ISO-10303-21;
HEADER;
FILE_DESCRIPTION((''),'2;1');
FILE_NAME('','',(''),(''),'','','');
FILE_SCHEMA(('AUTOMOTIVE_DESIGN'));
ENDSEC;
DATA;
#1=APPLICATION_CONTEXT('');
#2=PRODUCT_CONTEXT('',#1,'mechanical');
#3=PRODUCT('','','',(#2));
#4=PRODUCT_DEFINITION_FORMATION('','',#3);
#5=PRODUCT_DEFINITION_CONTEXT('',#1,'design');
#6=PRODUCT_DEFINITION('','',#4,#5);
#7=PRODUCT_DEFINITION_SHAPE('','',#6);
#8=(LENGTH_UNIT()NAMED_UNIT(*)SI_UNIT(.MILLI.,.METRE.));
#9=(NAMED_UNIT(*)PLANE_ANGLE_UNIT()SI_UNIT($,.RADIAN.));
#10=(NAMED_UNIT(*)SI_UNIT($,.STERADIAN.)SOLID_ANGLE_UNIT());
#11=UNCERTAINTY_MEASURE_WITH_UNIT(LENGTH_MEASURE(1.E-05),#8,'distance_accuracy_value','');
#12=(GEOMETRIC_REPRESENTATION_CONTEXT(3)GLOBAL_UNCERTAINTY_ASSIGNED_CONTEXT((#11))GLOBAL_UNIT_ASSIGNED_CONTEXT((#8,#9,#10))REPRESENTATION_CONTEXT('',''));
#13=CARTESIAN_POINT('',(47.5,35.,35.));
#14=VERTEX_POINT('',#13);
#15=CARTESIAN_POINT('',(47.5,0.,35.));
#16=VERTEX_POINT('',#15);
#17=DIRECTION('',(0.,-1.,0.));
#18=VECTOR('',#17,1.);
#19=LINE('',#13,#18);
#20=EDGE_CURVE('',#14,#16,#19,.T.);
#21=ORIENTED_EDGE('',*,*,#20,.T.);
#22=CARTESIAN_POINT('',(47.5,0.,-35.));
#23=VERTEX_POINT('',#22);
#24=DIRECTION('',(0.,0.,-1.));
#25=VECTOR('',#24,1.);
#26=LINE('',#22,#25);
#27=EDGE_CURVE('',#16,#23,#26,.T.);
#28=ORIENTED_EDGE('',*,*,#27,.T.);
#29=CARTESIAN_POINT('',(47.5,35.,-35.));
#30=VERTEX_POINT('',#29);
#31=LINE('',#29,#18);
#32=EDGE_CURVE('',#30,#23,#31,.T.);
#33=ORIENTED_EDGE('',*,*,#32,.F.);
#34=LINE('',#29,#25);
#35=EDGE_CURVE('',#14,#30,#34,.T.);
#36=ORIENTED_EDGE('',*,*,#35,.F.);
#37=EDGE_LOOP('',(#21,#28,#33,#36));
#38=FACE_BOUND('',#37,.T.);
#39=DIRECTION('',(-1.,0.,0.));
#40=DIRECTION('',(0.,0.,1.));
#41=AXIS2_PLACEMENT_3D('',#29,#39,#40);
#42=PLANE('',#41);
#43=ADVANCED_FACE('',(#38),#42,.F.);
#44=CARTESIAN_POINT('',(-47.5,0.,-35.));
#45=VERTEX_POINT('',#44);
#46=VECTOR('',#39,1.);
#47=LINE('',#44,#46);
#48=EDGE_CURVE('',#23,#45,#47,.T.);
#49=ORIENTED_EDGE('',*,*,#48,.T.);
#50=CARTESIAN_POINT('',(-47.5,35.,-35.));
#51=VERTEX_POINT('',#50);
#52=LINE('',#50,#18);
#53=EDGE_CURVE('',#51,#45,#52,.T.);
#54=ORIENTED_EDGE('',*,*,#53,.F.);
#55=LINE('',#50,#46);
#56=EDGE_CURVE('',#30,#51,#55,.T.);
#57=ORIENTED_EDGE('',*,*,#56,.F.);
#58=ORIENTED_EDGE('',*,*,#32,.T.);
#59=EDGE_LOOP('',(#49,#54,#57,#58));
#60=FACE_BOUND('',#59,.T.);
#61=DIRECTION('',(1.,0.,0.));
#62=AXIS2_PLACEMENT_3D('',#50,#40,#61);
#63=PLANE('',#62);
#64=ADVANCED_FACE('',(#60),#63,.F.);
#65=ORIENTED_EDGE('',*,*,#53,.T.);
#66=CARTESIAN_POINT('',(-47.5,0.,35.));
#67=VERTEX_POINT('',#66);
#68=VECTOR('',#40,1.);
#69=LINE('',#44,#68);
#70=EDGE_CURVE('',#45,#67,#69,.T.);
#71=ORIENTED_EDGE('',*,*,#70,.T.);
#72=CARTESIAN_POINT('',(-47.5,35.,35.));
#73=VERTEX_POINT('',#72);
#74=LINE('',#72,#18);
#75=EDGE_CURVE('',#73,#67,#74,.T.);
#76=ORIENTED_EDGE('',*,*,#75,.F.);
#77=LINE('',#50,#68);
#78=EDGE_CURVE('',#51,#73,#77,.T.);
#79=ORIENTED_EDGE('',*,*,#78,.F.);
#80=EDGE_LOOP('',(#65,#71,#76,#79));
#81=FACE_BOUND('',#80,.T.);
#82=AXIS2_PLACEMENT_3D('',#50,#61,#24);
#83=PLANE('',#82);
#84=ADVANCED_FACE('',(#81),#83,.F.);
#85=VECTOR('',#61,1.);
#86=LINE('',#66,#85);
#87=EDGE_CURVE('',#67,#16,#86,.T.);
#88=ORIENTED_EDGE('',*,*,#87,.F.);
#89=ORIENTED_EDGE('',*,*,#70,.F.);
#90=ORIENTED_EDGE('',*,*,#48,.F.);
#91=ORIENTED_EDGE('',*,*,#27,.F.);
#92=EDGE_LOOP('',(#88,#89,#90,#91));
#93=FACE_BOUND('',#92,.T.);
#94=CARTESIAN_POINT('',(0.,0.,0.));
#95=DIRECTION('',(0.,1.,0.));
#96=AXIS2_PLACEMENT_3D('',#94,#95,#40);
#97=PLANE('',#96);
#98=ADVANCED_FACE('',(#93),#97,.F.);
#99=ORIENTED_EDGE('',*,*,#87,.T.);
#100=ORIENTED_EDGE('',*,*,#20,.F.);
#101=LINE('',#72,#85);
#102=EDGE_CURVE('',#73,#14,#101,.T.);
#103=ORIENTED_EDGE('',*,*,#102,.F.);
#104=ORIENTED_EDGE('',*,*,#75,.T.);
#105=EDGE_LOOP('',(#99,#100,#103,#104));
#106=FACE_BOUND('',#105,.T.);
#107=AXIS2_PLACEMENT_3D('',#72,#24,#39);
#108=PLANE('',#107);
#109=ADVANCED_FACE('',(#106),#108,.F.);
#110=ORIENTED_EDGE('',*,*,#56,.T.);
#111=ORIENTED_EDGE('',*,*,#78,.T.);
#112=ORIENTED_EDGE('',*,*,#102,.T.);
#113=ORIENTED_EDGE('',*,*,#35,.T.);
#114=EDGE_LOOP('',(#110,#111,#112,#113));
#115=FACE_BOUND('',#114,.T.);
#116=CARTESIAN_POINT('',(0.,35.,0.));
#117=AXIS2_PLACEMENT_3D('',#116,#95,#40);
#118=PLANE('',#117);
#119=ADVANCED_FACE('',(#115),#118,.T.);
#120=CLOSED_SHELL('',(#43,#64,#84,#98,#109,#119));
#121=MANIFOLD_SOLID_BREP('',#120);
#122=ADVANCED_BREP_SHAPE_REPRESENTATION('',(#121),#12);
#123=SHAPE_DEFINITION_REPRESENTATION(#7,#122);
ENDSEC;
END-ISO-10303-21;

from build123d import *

# Parameters (mm, degrees)
SKETCH1_W           = 95
SKETCH1_H           = 70
BOSS_EXTRUDE1_DEPTH = 35


with BuildPart() as part:
    # Sketch1 → Boss-Extrude1 (new body)
    with BuildSketch(Plane(origin=(0, 0, 0), x_dir=(1, 0, 0), z_dir=(0, 1, 0))):
        Rectangle(SKETCH1_W, SKETCH1_H)
    extrude(amount=BOSS_EXTRUDE1_DEPTH)


solid = part.part
